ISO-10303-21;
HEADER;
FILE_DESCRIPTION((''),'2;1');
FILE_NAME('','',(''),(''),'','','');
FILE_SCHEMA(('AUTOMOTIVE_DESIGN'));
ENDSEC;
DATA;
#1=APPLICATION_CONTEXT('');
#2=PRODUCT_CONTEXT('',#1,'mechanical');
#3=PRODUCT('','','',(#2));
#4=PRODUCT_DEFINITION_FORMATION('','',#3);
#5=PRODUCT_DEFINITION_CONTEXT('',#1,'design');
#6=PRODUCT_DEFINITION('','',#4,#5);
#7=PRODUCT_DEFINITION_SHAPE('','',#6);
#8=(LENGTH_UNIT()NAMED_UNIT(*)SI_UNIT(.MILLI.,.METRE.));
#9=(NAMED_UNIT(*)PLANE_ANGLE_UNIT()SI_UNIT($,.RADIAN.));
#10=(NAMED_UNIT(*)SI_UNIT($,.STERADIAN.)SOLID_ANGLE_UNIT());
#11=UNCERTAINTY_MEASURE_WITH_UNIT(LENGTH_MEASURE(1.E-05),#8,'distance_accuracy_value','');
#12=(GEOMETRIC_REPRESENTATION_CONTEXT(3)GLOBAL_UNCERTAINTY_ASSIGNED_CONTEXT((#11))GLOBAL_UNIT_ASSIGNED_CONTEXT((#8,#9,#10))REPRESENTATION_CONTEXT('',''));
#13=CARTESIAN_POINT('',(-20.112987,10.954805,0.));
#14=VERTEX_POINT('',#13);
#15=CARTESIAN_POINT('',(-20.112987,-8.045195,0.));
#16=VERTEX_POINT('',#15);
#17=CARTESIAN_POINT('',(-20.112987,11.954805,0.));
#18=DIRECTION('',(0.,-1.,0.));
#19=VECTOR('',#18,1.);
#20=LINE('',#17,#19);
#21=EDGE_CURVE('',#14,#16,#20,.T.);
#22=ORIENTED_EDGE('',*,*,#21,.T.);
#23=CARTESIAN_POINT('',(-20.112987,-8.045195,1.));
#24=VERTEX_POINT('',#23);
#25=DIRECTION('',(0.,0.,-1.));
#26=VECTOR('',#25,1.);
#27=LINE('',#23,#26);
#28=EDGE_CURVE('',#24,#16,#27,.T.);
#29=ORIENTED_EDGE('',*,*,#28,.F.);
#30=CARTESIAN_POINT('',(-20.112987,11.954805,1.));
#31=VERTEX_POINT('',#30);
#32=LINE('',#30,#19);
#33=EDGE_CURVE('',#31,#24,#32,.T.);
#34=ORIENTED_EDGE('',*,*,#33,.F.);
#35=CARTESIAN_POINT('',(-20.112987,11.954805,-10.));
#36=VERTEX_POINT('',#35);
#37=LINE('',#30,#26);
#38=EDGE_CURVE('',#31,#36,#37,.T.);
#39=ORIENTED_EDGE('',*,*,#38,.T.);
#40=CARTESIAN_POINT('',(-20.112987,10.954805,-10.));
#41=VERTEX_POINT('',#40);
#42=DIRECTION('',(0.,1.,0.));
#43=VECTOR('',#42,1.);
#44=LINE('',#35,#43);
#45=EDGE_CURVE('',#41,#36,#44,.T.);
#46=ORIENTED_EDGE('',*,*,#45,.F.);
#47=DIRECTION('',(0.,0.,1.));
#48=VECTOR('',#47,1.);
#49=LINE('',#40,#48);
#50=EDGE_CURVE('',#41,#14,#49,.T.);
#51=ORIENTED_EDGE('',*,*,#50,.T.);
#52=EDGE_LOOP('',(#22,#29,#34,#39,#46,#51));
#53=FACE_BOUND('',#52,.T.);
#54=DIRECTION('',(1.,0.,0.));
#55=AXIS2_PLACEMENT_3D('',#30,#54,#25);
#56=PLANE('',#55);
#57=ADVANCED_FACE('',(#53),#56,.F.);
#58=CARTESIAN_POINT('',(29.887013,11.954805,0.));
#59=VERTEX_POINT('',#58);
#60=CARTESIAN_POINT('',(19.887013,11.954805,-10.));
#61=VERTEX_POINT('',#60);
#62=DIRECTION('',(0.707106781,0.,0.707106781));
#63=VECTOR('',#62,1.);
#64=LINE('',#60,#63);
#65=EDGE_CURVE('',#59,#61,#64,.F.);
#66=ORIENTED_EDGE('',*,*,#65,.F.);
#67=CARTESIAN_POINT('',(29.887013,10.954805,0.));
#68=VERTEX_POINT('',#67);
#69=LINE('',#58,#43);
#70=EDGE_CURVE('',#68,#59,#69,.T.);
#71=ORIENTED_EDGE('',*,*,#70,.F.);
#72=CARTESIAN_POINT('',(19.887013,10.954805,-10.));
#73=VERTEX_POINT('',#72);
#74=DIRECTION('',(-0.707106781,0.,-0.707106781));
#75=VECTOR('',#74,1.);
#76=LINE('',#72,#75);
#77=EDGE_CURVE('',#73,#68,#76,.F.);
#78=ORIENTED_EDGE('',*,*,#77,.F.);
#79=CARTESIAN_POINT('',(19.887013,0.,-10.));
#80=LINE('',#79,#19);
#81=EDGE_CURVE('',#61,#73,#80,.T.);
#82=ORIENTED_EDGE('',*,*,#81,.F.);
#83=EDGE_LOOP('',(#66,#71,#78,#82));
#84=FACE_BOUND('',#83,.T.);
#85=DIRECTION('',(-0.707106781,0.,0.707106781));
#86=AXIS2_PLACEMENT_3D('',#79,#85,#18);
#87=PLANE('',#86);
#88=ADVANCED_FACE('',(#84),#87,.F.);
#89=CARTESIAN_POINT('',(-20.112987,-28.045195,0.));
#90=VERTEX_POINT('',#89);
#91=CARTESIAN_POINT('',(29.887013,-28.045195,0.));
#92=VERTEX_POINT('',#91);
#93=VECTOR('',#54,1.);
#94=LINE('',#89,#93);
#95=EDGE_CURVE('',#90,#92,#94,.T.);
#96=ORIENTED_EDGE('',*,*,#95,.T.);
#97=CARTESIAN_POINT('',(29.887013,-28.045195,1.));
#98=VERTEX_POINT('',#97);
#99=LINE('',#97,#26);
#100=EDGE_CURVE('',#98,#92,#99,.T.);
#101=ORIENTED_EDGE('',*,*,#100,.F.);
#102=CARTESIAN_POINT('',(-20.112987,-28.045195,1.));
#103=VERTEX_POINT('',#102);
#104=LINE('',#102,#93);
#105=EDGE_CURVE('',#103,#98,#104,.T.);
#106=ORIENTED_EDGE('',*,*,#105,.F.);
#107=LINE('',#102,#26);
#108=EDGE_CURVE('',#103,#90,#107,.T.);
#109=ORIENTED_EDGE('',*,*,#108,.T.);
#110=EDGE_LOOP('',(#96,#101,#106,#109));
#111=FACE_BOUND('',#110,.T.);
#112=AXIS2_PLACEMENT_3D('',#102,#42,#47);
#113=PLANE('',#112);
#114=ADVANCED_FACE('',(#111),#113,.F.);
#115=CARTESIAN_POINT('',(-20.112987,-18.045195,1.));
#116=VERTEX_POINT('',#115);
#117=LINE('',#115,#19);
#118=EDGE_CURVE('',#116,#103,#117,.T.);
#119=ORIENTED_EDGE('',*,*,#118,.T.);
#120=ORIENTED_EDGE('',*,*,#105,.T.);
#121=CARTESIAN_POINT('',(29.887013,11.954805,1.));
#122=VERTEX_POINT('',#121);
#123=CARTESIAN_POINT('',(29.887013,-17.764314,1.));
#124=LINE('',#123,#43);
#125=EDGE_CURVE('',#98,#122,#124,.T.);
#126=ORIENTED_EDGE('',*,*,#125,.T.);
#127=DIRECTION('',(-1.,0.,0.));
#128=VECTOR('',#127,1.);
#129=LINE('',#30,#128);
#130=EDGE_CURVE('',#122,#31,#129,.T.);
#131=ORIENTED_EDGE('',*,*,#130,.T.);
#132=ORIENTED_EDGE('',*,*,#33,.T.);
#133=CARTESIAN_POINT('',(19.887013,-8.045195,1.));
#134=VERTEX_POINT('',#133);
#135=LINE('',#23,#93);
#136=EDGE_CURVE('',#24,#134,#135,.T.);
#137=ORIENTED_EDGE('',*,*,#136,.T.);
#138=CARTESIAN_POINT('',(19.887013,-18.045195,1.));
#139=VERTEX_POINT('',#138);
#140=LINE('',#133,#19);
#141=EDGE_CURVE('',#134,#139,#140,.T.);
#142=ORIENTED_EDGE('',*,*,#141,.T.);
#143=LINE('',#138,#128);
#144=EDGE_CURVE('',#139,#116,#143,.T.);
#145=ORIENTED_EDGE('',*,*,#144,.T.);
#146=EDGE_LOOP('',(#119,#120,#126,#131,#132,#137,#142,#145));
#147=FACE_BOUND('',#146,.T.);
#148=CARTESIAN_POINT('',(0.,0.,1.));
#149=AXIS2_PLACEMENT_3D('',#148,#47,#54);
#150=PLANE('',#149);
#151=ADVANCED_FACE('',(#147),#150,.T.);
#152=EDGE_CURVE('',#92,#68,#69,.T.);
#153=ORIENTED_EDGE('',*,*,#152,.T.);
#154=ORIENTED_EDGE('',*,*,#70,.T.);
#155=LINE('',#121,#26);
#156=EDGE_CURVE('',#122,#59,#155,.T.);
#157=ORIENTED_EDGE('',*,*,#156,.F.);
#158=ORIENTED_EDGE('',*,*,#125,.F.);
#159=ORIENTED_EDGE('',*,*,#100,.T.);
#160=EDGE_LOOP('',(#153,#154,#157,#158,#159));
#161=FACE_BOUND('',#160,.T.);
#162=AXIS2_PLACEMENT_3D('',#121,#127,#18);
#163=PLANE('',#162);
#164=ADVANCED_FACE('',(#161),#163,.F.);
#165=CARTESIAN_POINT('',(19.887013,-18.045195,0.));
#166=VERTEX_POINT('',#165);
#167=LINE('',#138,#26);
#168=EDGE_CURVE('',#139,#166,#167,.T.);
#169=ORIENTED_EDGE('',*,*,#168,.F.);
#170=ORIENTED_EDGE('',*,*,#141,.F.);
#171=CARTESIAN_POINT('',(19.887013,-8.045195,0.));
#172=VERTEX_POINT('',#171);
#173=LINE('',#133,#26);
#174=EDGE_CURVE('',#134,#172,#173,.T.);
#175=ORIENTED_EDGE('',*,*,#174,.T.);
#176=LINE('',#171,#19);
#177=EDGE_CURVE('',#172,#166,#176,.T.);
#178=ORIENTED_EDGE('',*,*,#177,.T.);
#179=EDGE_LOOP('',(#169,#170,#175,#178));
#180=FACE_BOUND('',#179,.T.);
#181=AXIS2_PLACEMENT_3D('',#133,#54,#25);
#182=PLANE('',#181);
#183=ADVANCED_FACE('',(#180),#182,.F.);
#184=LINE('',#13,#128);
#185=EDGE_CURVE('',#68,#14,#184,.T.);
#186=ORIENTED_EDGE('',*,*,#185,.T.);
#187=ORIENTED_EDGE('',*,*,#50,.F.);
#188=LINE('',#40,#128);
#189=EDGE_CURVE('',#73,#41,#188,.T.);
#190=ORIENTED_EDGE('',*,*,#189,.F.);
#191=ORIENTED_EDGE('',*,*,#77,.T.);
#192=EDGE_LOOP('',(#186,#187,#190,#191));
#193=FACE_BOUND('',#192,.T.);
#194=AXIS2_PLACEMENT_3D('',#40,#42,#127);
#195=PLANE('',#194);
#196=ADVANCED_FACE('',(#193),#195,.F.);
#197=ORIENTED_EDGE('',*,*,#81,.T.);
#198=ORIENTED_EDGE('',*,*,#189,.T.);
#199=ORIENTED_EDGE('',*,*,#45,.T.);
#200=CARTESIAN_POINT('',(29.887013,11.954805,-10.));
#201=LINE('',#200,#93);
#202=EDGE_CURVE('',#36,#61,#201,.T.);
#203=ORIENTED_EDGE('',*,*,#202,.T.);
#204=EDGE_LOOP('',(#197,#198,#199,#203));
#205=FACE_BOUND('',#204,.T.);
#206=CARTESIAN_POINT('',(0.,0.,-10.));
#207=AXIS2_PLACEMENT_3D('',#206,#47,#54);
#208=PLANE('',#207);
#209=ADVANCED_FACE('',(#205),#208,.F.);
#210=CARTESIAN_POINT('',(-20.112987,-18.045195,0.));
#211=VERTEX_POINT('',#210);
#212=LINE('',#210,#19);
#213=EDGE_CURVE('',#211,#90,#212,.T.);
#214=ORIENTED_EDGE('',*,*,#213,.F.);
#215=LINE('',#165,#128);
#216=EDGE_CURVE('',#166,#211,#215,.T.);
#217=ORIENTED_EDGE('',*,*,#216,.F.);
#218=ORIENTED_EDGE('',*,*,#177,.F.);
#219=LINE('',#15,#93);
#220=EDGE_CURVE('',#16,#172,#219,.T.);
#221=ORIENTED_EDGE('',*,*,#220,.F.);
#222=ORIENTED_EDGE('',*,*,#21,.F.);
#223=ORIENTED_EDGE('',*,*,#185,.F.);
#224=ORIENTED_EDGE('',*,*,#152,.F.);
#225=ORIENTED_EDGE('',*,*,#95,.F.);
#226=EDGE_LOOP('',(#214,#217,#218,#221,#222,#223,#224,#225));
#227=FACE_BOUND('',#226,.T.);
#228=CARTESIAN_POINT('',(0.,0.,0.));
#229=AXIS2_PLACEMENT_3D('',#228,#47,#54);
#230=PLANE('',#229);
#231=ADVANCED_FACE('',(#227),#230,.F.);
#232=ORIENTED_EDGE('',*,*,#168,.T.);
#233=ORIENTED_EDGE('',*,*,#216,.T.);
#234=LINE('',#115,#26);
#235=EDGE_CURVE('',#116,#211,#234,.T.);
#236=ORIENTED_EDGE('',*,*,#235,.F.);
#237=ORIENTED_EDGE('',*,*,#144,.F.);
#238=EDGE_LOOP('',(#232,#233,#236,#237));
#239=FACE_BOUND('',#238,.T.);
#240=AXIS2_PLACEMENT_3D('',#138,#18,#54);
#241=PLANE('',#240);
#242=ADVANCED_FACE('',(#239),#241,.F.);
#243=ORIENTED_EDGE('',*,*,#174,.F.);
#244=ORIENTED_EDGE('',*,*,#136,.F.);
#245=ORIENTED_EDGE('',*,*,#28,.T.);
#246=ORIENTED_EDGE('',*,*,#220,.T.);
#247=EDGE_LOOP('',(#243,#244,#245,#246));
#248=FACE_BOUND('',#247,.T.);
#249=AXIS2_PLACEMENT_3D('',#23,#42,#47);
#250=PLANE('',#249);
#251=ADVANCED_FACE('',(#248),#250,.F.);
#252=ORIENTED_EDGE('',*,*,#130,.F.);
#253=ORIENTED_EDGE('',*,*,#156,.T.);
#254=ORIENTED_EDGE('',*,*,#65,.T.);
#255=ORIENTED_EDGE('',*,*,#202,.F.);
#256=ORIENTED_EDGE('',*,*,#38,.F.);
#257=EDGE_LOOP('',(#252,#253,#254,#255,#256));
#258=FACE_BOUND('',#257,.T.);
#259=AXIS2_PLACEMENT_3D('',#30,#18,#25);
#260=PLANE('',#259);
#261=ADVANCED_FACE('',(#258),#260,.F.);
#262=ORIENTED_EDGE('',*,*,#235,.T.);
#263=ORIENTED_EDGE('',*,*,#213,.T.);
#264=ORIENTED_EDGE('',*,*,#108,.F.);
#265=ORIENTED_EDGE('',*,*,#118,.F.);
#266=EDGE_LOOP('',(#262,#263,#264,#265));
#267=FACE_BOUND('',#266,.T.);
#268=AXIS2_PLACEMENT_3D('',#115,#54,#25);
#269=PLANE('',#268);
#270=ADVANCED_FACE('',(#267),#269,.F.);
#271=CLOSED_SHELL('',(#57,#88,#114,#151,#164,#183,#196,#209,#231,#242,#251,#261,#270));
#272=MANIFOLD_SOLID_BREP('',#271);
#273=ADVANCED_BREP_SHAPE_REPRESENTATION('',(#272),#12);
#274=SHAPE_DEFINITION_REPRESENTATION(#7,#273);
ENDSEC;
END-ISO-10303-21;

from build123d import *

# Parameters (mm, degrees)
EXTRUDE_2_DEPTH = 1
SKETCH_3_W      = 50
SKETCH_3_H      = 1
EXTRUDE_4_DEPTH = 10
CHAMFER_1_SIZE  = 10


with BuildPart() as part:
    # 草图1 → 凸台-拉伸2 (new body)
    with BuildSketch(Plane.XY):
        Polygon((19.887012794, -8.045194882), (19.887012794, -18.045194882), (-20.112987206, -18.045194882), (-20.112987206, -28.045194882), (29.887012794, -28.045194882), (29.887012794, -17.764313667), (29.887012794, 11.954805118), (-20.112987206, 11.954805118), (-20.112987206, -8.045194882), align=None)
    extrude(amount=EXTRUDE_2_DEPTH)

    # 草图3 → 凸台-拉伸4 (add)
    with BuildSketch(Plane(origin=(0, 0, 0), x_dir=(-1, 0, 0), z_dir=(0, 0, -1))):
        with Locations((-4.887012794, 11.454805118)):
            Rectangle(SKETCH_3_W, SKETCH_3_H)
    extrude(amount=EXTRUDE_4_DEPTH)

    # 倒角1
    chamfer_1_edges = [part.edges().sort_by_distance(p)[0] for p in [
        (29.887012794, 11.454805118, -10),
    ]]
    chamfer(chamfer_1_edges, length=CHAMFER_1_SIZE)


solid = part.part
